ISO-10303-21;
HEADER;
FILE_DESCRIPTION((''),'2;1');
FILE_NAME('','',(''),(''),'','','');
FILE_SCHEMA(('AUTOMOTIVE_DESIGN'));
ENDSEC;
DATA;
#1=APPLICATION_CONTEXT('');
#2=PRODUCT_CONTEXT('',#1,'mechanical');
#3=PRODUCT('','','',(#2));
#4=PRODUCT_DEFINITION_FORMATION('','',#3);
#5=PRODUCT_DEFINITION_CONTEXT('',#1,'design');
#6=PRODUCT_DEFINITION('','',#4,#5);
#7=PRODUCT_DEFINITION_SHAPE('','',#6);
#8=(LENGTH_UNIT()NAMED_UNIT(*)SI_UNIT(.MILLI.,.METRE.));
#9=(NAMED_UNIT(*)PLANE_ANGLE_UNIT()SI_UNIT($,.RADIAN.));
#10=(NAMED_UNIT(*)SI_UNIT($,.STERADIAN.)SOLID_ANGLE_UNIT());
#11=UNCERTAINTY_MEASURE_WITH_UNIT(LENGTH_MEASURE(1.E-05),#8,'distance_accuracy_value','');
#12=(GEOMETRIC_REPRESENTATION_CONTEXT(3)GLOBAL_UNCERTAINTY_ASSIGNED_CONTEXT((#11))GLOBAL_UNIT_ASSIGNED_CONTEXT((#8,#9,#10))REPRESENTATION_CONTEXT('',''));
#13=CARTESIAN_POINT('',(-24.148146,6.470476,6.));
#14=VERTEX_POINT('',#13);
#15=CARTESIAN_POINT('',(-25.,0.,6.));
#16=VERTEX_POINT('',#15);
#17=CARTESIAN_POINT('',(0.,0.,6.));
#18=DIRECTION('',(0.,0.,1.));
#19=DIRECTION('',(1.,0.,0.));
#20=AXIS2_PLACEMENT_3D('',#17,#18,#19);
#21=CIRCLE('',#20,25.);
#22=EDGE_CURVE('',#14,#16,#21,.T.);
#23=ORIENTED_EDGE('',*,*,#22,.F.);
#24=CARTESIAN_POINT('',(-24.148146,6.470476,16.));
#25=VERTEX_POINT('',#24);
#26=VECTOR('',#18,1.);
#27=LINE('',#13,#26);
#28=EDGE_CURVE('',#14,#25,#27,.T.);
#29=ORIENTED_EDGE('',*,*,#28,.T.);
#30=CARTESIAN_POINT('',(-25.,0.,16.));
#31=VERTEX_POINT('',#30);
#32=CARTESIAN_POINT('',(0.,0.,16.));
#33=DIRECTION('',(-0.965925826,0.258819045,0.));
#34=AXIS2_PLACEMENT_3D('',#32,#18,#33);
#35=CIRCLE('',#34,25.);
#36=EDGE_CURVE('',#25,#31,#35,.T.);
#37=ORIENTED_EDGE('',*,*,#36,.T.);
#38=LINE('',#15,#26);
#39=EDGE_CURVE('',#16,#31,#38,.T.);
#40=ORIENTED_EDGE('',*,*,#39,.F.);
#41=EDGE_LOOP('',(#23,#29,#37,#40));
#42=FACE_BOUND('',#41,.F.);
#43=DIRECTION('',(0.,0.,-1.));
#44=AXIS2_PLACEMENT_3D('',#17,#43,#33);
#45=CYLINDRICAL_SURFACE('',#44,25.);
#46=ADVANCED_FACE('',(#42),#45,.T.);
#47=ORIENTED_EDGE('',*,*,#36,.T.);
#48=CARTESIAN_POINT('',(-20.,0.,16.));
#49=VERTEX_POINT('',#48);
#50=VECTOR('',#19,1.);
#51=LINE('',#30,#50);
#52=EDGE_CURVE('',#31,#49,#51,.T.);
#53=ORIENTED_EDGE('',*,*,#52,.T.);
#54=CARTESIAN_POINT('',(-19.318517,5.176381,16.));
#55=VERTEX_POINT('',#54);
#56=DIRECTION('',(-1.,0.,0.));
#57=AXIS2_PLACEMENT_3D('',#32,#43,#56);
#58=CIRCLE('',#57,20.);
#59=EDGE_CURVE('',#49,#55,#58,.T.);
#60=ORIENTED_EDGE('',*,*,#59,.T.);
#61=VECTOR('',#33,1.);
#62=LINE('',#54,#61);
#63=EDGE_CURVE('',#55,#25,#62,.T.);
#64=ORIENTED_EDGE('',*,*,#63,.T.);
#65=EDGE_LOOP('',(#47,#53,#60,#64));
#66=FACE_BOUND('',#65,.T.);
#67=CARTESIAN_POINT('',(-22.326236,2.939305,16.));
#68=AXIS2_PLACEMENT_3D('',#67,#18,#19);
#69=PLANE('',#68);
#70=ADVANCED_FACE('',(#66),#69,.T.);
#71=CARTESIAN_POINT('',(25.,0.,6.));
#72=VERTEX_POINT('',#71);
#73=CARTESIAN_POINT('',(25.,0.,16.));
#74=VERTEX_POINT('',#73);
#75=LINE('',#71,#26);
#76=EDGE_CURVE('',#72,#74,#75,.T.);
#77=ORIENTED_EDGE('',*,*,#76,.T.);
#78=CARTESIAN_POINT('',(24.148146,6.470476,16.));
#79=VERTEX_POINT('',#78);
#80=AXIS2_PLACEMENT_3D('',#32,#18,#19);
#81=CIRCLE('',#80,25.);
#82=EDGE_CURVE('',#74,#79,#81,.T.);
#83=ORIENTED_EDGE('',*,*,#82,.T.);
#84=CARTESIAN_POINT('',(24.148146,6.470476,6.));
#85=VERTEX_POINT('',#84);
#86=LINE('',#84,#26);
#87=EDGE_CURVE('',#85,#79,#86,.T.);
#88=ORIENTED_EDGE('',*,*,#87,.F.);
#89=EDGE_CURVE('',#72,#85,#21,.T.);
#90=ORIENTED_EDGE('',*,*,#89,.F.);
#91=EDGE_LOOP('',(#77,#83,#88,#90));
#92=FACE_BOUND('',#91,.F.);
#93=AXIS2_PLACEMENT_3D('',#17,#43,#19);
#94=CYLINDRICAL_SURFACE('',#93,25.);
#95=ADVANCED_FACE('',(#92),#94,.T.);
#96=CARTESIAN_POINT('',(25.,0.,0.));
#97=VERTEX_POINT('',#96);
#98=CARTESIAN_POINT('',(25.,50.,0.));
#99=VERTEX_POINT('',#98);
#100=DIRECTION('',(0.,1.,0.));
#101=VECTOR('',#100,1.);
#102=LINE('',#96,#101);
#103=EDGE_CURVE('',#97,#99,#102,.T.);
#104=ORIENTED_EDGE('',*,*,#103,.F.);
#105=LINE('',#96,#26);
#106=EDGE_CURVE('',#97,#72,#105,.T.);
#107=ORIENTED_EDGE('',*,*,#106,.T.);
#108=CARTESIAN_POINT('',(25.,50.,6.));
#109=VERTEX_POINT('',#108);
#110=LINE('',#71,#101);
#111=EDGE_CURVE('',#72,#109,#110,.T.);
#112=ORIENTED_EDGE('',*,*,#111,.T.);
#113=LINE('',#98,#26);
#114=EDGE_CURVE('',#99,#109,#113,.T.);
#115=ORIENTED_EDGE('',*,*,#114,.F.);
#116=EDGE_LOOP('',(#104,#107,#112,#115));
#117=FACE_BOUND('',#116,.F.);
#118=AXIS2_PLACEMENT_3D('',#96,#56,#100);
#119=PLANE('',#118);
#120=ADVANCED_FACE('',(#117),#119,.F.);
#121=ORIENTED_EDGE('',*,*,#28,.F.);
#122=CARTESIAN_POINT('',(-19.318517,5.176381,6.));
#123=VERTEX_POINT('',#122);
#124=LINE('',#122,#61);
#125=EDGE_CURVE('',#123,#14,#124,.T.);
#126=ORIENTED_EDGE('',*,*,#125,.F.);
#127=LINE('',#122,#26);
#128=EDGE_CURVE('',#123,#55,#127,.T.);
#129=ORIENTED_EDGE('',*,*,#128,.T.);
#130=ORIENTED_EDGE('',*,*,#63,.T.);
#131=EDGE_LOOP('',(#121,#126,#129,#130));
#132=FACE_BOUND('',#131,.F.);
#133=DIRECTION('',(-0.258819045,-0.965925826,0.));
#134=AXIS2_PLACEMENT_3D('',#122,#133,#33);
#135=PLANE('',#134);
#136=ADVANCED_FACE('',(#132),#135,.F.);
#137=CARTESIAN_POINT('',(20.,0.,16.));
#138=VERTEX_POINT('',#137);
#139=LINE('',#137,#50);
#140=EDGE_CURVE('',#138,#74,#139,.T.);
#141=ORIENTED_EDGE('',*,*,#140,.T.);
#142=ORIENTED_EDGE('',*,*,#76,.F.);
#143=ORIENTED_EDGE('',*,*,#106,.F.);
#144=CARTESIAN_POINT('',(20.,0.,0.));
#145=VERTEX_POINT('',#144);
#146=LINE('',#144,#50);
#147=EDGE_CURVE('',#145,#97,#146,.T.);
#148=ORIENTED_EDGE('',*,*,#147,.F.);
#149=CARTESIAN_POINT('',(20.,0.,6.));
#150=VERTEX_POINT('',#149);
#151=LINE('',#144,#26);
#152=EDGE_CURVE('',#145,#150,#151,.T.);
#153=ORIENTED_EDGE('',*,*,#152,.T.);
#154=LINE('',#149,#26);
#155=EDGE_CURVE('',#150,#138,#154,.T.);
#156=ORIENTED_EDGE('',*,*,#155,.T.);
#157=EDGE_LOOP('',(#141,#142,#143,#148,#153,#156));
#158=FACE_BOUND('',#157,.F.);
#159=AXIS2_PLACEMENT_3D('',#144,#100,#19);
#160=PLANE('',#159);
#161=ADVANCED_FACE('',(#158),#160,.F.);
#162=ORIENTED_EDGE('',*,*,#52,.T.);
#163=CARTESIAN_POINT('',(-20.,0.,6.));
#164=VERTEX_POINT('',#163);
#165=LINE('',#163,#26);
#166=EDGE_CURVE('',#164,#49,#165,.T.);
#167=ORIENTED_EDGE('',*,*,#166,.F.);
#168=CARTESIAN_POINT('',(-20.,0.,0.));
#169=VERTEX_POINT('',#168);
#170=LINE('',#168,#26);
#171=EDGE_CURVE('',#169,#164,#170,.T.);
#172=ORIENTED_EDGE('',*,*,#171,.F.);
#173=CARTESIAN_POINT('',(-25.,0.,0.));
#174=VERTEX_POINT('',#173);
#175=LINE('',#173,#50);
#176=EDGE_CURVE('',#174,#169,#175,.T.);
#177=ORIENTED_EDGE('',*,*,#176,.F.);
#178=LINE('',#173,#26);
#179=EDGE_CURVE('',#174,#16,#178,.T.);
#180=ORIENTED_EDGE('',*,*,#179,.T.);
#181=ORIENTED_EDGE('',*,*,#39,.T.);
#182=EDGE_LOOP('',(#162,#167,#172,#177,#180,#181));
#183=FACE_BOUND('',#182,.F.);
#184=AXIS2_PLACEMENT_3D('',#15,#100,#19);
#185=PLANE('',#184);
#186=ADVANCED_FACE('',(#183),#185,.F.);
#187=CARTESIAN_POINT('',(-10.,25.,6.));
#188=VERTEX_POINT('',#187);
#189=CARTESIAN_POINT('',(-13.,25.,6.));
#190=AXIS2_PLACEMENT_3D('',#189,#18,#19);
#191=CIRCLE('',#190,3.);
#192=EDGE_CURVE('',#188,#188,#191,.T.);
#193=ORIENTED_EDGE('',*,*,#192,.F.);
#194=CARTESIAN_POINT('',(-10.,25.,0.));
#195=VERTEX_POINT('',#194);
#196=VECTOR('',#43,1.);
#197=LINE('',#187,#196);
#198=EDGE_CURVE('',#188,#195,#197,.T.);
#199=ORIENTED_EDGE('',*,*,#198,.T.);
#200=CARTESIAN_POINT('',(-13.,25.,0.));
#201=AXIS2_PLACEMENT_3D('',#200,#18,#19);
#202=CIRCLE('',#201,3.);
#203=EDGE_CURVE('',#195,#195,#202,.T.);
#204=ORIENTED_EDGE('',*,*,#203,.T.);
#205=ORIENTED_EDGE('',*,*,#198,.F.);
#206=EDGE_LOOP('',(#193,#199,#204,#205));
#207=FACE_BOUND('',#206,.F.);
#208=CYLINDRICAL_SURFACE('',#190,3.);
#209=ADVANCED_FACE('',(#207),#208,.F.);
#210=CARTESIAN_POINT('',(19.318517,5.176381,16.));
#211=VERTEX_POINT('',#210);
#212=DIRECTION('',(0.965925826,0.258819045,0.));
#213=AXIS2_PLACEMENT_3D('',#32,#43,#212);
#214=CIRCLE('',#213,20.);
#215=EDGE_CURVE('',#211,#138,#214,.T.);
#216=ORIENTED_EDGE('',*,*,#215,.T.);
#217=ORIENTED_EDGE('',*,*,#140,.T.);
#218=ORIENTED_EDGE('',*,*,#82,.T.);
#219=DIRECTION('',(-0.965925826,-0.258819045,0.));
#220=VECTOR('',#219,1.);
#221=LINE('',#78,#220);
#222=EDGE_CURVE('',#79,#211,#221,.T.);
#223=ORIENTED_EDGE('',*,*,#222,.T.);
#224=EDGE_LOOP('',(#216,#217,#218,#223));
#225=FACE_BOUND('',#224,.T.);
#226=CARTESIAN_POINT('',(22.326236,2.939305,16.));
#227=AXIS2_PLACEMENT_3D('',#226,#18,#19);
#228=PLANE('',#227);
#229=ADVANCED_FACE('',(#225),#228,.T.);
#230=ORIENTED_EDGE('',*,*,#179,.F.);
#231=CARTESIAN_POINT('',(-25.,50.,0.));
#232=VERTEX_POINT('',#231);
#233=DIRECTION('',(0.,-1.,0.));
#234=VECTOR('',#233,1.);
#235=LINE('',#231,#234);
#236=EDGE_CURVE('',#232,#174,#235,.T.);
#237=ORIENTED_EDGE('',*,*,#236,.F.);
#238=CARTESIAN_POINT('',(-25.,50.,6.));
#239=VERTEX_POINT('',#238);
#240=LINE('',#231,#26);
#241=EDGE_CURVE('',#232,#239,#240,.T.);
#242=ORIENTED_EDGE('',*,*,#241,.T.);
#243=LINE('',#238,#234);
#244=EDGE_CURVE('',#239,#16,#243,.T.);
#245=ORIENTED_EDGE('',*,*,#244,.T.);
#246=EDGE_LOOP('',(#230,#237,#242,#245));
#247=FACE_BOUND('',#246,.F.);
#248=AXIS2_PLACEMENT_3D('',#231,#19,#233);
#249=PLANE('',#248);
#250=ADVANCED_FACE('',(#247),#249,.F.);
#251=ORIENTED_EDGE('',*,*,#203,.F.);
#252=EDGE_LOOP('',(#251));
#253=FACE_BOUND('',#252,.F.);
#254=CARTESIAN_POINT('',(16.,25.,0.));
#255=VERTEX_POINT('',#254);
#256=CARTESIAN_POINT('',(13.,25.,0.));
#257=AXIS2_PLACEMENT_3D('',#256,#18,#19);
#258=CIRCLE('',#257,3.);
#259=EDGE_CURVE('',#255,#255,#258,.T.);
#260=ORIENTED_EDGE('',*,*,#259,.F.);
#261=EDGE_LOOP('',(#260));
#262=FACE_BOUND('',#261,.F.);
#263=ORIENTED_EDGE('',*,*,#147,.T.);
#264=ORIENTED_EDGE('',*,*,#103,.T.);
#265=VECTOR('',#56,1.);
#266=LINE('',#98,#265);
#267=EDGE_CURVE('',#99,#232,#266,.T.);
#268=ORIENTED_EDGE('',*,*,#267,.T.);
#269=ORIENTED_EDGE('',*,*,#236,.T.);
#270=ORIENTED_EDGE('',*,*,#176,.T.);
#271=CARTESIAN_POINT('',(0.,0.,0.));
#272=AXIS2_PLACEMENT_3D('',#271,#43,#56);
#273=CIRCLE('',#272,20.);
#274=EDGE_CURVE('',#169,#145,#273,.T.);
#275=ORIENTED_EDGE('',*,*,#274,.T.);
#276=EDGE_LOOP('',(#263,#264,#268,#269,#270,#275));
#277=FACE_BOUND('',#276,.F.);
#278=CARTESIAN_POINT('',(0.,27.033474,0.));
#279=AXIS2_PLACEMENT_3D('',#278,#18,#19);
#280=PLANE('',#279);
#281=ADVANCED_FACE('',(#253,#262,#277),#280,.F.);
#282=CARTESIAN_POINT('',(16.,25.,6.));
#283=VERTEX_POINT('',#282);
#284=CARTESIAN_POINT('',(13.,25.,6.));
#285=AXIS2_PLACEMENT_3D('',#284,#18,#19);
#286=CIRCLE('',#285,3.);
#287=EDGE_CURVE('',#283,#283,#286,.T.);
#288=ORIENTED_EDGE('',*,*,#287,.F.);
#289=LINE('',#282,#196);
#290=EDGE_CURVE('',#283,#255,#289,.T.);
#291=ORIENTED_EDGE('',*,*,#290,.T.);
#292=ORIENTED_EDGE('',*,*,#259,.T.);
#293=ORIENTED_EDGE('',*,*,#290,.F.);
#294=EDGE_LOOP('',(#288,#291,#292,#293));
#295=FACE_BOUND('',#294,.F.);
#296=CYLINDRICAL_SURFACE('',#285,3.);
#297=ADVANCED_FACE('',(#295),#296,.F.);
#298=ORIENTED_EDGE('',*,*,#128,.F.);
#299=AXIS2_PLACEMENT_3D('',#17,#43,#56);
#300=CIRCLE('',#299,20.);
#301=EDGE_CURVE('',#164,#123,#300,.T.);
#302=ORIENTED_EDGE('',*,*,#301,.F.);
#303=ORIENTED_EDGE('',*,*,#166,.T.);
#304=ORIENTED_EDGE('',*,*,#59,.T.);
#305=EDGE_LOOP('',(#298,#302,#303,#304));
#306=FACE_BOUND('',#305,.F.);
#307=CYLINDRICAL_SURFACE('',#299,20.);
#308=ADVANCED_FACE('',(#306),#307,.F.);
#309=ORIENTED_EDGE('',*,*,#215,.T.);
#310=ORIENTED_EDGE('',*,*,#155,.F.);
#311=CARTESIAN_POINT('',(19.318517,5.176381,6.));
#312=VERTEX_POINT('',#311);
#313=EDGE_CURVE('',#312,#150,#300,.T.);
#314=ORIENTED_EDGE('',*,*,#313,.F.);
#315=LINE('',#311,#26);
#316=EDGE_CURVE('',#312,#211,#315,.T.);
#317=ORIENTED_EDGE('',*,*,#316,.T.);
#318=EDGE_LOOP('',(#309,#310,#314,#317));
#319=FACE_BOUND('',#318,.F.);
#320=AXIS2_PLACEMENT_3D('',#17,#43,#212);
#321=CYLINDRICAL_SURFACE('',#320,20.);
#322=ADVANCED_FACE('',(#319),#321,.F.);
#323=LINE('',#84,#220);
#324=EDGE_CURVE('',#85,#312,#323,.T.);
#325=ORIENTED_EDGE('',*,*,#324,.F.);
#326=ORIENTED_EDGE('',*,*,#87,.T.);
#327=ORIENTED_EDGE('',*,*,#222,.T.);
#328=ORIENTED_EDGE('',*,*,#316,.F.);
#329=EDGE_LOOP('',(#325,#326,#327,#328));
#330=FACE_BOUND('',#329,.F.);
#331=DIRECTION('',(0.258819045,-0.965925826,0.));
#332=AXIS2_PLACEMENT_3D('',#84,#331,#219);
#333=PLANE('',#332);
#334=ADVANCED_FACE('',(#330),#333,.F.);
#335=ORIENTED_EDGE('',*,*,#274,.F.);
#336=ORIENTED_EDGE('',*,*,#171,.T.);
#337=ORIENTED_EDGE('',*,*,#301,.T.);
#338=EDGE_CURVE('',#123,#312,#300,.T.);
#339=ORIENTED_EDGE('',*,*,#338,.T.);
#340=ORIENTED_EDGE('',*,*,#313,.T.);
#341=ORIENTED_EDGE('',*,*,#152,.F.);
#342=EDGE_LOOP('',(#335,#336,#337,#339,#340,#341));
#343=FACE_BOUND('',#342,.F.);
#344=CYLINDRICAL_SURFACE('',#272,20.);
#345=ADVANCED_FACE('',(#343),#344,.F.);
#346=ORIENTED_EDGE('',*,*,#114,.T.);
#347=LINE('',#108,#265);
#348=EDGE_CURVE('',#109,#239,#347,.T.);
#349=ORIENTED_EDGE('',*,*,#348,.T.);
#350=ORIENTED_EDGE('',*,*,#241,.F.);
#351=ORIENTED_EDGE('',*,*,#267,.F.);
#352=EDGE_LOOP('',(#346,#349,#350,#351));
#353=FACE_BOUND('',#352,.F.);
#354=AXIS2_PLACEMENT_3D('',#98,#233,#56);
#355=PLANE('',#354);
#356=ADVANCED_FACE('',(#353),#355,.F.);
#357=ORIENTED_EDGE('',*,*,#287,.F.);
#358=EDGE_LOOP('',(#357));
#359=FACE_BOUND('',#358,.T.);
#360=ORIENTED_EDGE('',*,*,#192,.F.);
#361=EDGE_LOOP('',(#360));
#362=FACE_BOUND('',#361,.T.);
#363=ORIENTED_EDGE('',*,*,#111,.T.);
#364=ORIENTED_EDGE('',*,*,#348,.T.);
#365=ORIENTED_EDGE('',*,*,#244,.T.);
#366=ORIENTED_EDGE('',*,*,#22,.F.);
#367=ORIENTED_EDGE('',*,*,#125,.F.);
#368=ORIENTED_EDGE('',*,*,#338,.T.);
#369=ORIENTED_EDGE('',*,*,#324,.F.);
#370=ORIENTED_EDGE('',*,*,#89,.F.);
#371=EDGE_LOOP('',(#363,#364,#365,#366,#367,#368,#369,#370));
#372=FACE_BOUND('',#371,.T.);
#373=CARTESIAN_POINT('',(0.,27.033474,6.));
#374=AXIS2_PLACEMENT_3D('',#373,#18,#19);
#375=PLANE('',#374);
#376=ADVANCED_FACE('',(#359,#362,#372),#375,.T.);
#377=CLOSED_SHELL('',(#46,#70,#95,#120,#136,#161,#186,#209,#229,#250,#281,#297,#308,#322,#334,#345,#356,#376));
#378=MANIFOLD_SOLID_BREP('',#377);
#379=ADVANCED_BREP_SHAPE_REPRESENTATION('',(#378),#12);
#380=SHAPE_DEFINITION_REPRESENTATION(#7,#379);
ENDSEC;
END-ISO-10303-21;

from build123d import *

# Parameters (mm, degrees)
BOSS_EXTRUDE1_DEPTH = 6
BOSS_EXTRUDE2_DEPTH = 10
BOSS_EXTRUDE3_DEPTH = 6
SKETCH4_R           = 3
CUT_EXTRUDE1_DEPTH  = 57.789083458


with BuildPart() as part:
    # Sketch1 → Boss-Extrude1 (new body)
    with BuildSketch(Plane.XY):
        with BuildLine():
            Line((20, 0), (25, 0))
            ThreePointArc((25, 0), (0, 25), (-25, 0))
            Line((-25, 0), (-20, 0))
            ThreePointArc((-20, 0), (0, 20), (20, 0))
        make_face()
    extrude(amount=BOSS_EXTRUDE1_DEPTH)

    # Sketch2 → Boss-Extrude2 (add)
    with BuildSketch(Plane.XY.offset(6)):
        with BuildLine():
            ThreePointArc((-20, 0), (-19.828897227, 2.610523844), (-19.318516526, 5.176380902))
            Line((-19.318516526, 5.176380902), (-24.148145657, 6.470476128))
            ThreePointArc((-24.148145657, 6.470476128), (-24.786121534, 3.263154806), (-25, 0))
            Line((-25, 0), (-20, 0))
        make_face()
        with BuildLine():
            Line((24.148145657, 6.470476128), (19.318516526, 5.176380902))
            ThreePointArc((19.318516526, 5.176380902), (19.828897227, 2.610523844), (20, 0))
            Line((20, 0), (25, 0))
            ThreePointArc((25, 0), (24.786121534, 3.263154806), (24.148145657, 6.470476128))
        make_face()
    extrude(amount=BOSS_EXTRUDE2_DEPTH)

    # Sketch3 → Boss-Extrude3 (add)
    with BuildSketch(Plane(origin=(0, 0, 0), x_dir=(-1, 0, 0), z_dir=(0, 0, -1))):
        with BuildLine():
            Line((-25, 0), (-25, 50))
            Line((-25, 50), (25, 50))
            Line((25, 50), (25, 0))
            ThreePointArc((25, 0), (0, 25), (-25, 0))
        make_face()
    extrude(amount=-BOSS_EXTRUDE3_DEPTH)

    # Sketch4 → Cut-Extrude1 (cut, through all)
    with BuildSketch(Plane.XY.offset(6)):
        with Locations((13, 25)):
            Circle(SKETCH4_R)
        with Locations((-13, 25)):
            Circle(SKETCH4_R)
    extrude(amount=-CUT_EXTRUDE1_DEPTH, mode=Mode.SUBTRACT)


solid = part.part
